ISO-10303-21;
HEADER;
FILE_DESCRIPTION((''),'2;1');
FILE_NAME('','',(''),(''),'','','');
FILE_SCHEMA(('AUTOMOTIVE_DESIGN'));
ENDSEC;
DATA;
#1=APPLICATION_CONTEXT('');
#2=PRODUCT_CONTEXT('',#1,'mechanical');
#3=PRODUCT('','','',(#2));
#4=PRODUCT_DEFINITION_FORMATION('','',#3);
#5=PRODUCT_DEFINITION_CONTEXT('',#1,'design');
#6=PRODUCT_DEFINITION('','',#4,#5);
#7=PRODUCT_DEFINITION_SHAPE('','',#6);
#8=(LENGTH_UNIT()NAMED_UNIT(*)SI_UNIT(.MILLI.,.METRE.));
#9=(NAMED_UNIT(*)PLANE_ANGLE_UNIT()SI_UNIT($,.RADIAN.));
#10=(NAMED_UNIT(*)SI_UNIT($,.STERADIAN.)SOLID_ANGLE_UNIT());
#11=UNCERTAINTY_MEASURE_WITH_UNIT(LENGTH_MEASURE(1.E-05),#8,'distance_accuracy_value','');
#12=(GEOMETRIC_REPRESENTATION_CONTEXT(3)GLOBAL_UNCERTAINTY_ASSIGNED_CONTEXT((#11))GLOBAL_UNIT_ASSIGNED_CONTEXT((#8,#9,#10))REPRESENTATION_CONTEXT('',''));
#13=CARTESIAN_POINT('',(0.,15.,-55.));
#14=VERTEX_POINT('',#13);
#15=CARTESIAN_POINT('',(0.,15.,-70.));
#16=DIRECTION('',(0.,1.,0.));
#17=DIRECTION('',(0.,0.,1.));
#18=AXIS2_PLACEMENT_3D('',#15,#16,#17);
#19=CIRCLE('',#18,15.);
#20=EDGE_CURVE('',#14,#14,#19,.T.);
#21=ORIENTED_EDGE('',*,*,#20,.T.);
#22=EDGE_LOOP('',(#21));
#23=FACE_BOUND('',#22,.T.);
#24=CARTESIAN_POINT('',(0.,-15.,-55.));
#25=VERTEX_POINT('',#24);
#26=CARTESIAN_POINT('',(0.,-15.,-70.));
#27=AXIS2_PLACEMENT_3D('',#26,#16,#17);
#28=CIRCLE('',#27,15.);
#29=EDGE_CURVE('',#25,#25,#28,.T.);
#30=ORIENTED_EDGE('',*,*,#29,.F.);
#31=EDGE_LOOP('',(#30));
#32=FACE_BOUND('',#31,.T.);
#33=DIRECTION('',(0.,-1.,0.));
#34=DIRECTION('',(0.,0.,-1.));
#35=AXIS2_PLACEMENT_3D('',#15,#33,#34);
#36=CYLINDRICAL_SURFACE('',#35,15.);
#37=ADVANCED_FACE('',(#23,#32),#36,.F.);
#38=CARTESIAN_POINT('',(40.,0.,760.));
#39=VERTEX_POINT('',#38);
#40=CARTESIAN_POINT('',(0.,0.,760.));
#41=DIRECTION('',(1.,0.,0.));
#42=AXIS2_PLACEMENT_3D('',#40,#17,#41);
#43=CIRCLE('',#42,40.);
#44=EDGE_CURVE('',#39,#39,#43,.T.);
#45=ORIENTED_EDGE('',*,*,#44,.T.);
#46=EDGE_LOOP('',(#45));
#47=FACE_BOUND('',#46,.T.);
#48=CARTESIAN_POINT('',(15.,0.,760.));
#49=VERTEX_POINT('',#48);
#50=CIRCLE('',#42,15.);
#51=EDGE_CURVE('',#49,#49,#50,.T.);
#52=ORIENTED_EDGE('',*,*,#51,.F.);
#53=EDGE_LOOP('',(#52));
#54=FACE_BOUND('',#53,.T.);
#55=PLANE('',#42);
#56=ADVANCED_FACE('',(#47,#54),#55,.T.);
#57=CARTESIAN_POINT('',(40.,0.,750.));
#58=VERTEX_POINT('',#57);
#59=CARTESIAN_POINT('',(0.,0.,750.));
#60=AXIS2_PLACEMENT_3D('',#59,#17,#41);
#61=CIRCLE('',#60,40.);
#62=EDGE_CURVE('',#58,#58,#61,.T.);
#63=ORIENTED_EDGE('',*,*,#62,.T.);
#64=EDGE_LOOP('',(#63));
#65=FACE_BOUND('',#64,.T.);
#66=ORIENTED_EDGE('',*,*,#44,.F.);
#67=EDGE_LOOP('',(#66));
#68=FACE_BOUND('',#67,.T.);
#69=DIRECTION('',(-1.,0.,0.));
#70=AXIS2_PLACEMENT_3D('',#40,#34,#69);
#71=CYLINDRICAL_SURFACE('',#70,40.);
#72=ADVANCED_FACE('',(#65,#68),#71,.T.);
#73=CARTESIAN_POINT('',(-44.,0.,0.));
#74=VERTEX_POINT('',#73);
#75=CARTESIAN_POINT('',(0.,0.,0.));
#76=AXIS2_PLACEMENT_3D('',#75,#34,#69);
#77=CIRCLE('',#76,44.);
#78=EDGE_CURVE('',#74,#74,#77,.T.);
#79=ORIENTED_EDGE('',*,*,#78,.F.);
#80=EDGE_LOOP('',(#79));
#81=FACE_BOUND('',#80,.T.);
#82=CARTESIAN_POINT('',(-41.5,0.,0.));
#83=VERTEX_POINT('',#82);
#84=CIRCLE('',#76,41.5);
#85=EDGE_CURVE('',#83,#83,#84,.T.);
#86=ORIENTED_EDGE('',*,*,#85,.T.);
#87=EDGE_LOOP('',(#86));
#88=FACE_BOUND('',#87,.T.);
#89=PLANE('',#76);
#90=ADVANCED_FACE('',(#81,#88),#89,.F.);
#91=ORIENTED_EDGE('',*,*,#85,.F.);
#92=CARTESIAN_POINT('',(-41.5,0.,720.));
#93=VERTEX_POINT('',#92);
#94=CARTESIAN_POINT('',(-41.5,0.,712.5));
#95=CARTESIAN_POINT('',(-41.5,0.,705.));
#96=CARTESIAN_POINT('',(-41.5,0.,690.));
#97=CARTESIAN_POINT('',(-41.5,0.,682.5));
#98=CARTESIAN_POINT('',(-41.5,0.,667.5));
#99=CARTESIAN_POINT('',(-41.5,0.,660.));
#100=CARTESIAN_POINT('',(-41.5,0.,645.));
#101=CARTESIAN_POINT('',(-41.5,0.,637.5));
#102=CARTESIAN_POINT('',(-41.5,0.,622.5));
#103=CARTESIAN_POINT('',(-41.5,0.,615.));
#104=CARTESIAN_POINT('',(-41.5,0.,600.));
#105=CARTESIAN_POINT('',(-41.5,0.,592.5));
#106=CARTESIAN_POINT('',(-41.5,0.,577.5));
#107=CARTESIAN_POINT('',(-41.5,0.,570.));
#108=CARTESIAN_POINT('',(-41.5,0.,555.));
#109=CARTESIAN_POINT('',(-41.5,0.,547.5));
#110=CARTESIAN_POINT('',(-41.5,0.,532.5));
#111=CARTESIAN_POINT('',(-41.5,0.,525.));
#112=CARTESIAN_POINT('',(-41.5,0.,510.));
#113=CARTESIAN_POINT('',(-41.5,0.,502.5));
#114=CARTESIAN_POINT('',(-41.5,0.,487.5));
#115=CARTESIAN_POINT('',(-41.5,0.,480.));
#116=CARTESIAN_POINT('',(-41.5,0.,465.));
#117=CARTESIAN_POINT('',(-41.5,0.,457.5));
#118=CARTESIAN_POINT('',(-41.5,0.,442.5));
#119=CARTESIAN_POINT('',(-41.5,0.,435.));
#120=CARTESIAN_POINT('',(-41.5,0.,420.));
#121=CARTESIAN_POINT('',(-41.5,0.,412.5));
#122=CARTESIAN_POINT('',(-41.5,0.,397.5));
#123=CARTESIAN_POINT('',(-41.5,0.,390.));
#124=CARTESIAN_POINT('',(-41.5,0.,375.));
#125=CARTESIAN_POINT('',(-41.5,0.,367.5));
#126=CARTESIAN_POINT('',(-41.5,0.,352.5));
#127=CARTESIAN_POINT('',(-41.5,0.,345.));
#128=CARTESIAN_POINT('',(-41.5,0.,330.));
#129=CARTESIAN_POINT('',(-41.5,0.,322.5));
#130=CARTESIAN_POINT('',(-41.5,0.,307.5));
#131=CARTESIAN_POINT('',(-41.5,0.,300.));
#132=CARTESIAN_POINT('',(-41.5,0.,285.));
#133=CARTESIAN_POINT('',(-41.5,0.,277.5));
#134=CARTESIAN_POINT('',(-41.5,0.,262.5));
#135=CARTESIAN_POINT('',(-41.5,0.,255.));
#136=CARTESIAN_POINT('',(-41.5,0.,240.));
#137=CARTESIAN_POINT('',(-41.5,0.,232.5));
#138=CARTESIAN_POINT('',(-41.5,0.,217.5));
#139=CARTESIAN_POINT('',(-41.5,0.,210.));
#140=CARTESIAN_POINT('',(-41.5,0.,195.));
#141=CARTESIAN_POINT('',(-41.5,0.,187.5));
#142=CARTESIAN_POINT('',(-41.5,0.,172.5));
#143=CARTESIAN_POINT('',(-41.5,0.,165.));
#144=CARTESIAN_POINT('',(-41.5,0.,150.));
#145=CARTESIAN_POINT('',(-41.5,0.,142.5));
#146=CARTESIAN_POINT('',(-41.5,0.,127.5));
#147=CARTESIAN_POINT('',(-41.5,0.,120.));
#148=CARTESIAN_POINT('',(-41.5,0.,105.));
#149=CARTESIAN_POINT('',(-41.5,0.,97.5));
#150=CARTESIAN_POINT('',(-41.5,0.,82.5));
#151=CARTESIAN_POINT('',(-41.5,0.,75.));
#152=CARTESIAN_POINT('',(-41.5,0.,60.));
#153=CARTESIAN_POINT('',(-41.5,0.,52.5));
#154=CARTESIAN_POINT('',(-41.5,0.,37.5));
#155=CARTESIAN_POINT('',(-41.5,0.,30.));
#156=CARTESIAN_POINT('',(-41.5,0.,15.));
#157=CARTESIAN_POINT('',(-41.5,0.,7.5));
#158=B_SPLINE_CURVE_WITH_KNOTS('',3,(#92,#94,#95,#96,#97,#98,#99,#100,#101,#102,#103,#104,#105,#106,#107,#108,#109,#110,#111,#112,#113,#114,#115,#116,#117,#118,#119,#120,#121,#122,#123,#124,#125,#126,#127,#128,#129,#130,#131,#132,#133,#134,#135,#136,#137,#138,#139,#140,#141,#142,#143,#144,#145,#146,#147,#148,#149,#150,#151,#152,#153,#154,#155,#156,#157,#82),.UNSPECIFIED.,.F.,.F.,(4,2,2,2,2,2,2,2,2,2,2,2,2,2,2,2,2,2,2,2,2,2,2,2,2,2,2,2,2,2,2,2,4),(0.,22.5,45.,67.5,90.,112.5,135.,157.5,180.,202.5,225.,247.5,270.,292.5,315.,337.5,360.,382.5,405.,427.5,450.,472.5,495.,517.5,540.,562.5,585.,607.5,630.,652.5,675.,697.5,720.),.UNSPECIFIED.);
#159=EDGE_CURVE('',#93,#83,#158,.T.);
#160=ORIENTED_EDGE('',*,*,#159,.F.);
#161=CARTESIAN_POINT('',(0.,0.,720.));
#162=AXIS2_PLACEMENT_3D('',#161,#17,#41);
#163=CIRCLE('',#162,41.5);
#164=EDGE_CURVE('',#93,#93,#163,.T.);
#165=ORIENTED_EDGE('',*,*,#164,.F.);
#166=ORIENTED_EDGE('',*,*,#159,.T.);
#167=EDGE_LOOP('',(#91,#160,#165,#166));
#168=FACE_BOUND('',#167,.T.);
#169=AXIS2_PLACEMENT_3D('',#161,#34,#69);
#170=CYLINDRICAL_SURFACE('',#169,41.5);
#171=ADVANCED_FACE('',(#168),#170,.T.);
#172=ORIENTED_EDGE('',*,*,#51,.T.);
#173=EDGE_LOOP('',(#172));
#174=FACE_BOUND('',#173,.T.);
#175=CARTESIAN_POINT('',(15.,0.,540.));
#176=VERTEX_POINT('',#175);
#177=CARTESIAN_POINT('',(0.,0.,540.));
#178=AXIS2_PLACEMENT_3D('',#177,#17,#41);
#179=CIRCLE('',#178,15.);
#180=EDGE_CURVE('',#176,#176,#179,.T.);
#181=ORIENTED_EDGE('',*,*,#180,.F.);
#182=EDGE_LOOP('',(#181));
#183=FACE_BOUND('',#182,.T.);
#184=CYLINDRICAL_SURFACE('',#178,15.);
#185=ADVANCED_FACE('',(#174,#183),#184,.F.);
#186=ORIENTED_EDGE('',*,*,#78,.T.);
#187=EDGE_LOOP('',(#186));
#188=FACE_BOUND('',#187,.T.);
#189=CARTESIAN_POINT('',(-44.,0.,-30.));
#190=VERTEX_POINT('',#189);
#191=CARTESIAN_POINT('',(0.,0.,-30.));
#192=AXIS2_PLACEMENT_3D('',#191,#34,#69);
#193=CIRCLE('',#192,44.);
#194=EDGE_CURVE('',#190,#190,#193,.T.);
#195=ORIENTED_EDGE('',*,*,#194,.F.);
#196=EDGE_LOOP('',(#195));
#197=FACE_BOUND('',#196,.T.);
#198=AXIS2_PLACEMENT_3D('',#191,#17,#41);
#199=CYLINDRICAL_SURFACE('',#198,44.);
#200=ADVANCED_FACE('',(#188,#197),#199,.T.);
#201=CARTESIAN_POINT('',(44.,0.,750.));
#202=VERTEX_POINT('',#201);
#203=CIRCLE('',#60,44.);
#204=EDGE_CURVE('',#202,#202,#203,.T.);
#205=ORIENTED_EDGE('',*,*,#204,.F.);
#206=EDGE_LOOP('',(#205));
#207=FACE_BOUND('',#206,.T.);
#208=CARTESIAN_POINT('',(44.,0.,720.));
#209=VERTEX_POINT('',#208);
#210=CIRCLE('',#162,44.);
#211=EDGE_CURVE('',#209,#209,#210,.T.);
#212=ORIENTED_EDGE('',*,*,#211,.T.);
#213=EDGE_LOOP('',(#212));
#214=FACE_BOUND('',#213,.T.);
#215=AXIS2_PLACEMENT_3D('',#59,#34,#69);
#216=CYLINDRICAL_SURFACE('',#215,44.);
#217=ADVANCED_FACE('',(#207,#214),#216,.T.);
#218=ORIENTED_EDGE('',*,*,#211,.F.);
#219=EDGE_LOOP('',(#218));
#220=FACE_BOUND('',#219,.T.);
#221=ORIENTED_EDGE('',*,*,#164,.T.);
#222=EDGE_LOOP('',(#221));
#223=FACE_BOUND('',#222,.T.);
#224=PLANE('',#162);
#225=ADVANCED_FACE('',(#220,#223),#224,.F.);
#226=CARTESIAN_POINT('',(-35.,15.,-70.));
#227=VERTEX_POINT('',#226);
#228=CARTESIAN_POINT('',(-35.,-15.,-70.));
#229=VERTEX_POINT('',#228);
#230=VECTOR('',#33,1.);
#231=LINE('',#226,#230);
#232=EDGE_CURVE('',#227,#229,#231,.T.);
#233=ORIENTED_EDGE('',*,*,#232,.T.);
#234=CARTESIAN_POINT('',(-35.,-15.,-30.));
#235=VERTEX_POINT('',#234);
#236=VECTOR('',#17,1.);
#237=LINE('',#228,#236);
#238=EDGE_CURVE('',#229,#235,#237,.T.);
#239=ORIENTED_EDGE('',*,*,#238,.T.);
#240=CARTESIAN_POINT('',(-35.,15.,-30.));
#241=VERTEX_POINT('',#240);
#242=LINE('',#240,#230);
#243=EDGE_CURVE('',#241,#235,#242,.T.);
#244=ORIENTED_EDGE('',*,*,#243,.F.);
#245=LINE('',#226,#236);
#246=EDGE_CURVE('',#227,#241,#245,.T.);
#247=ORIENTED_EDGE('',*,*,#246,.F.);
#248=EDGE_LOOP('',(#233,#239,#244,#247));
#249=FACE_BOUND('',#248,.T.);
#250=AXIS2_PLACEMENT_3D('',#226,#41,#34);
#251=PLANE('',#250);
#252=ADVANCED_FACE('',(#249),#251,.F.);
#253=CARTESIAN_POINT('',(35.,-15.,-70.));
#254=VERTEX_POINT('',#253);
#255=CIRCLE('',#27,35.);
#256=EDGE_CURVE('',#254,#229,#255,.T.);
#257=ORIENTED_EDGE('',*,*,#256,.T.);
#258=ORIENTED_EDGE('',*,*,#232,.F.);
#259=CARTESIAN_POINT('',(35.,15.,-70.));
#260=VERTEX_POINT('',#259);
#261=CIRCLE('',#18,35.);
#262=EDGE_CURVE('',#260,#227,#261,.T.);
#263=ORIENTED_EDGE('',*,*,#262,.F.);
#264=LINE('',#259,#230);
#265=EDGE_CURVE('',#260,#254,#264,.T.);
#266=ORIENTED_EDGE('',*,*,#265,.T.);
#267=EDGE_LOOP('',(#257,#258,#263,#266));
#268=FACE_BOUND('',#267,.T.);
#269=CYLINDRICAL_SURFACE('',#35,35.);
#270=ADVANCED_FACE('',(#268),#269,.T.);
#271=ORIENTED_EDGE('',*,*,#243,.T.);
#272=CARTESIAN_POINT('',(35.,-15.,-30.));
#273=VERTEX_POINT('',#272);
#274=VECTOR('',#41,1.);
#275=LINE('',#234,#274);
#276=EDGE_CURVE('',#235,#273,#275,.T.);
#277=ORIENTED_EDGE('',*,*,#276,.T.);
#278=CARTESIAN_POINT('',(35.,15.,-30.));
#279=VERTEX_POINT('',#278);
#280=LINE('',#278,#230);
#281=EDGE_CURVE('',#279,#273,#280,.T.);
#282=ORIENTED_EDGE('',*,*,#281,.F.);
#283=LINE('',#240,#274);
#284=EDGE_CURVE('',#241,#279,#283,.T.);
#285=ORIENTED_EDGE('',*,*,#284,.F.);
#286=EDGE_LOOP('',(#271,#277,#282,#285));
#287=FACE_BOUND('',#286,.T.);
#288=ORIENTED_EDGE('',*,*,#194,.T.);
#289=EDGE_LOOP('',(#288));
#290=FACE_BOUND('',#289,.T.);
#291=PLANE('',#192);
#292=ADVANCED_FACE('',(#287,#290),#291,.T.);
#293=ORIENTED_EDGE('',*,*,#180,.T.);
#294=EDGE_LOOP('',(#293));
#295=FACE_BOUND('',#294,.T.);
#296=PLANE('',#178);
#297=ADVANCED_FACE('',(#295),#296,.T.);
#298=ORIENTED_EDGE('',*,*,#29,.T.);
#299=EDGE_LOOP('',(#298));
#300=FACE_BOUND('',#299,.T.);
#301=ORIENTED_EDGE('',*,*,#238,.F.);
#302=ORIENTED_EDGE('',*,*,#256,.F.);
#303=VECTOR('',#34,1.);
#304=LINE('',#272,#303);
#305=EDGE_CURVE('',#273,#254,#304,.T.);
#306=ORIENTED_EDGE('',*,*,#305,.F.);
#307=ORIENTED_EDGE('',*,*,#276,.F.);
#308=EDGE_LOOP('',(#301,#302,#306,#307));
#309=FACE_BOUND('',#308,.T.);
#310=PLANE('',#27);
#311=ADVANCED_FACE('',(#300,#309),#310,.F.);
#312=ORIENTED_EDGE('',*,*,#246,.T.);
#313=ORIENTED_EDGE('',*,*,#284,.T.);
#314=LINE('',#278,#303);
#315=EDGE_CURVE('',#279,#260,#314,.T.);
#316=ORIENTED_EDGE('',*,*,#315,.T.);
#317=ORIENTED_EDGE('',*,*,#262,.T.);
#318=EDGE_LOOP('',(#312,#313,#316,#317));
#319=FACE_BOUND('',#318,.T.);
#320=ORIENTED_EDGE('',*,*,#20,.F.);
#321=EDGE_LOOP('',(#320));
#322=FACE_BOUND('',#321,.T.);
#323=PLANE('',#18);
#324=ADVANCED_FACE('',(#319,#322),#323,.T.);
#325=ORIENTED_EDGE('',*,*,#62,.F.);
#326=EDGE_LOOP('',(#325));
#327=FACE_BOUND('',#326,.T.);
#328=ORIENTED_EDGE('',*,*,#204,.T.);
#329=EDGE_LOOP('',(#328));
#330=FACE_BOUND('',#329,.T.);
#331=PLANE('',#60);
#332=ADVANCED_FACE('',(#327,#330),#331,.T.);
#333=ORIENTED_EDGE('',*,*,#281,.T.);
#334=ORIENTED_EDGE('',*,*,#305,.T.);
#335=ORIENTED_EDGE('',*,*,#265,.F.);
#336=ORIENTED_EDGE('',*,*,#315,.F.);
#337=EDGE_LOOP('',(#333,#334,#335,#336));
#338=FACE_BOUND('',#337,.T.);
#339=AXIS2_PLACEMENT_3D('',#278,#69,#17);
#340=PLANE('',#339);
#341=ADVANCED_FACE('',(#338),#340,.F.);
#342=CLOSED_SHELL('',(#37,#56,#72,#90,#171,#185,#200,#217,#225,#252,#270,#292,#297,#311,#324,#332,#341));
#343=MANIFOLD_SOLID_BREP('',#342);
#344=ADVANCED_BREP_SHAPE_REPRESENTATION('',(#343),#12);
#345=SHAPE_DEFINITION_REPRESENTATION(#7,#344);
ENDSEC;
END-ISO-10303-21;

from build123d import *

# Parameters (mm, degrees)
SKETCH_1_R          = 41.5
EXTRUDE_1_DEPTH     = 720
SKETCH_2_R          = 44
EXTRUDE_2_DEPTH     = 30
EXTRUDE_START       = 30
SKETCH_3_R          = 44
EXTRUDE_3_DEPTH     = 30
SKETCH_4_R          = 40
EXTRUDE_4_DEPTH     = 10
SKETCH_6_R          = 15
EXTRUDE_6_DEPTH     = 15
SKETCH_5_R          = 15
CUT_EXTRUDE_1_DEPTH = 220


with BuildPart() as part:
    # 草图1 → 拉伸1 (new body)
    with BuildSketch(Plane.XY):
        with Locations(Location((0, 0, 0), (0, 0, 180))):
            Circle(SKETCH_1_R)
    extrude(amount=EXTRUDE_1_DEPTH)

    # 草图2 → 拉伸2 (add)
    with BuildSketch(Plane.XY.offset(720)):
        Circle(SKETCH_2_R)
    extrude(amount=EXTRUDE_2_DEPTH)

    # 草图3 → 拉伸3 (add)
    with BuildSketch(Plane(origin=(0, 0, 0), x_dir=(-1, 0, 0), z_dir=(0, 0, -1)).offset(EXTRUDE_START)):
        with Locations(Location((0, 0, 0), (0, 0, 180))):
            Circle(SKETCH_3_R)
    extrude(amount=-EXTRUDE_3_DEPTH)

    # 草图4 → 拉伸4 (add)
    with BuildSketch(Plane.XY.offset(750)):
        Circle(SKETCH_4_R)
    extrude(amount=EXTRUDE_4_DEPTH)

    # 草图6 → 拉伸6 (add, symmetric)
    with BuildSketch(Plane(origin=(0, 0, 0), x_dir=(1, 0, 0), z_dir=(0, 1, 0))):
        with BuildLine():
            Line((-35, 70), (-35, 30))
            Line((-35, 30), (35, 30))
            Line((35, 30), (35, 70))
            ThreePointArc((35, 70), (0, 105), (-35, 70))
        make_face()
        with Locations(Location((0, 70, 0), (0, 0, 270))):
            Circle(SKETCH_6_R, mode=Mode.SUBTRACT)
    extrude(amount=EXTRUDE_6_DEPTH, both=True)

    # 草图5 → 切除-拉伸1 (cut)
    with BuildSketch(Plane.XY.offset(760)):
        Circle(SKETCH_5_R)
    extrude(amount=-CUT_EXTRUDE_1_DEPTH, mode=Mode.SUBTRACT)


solid = part.part
